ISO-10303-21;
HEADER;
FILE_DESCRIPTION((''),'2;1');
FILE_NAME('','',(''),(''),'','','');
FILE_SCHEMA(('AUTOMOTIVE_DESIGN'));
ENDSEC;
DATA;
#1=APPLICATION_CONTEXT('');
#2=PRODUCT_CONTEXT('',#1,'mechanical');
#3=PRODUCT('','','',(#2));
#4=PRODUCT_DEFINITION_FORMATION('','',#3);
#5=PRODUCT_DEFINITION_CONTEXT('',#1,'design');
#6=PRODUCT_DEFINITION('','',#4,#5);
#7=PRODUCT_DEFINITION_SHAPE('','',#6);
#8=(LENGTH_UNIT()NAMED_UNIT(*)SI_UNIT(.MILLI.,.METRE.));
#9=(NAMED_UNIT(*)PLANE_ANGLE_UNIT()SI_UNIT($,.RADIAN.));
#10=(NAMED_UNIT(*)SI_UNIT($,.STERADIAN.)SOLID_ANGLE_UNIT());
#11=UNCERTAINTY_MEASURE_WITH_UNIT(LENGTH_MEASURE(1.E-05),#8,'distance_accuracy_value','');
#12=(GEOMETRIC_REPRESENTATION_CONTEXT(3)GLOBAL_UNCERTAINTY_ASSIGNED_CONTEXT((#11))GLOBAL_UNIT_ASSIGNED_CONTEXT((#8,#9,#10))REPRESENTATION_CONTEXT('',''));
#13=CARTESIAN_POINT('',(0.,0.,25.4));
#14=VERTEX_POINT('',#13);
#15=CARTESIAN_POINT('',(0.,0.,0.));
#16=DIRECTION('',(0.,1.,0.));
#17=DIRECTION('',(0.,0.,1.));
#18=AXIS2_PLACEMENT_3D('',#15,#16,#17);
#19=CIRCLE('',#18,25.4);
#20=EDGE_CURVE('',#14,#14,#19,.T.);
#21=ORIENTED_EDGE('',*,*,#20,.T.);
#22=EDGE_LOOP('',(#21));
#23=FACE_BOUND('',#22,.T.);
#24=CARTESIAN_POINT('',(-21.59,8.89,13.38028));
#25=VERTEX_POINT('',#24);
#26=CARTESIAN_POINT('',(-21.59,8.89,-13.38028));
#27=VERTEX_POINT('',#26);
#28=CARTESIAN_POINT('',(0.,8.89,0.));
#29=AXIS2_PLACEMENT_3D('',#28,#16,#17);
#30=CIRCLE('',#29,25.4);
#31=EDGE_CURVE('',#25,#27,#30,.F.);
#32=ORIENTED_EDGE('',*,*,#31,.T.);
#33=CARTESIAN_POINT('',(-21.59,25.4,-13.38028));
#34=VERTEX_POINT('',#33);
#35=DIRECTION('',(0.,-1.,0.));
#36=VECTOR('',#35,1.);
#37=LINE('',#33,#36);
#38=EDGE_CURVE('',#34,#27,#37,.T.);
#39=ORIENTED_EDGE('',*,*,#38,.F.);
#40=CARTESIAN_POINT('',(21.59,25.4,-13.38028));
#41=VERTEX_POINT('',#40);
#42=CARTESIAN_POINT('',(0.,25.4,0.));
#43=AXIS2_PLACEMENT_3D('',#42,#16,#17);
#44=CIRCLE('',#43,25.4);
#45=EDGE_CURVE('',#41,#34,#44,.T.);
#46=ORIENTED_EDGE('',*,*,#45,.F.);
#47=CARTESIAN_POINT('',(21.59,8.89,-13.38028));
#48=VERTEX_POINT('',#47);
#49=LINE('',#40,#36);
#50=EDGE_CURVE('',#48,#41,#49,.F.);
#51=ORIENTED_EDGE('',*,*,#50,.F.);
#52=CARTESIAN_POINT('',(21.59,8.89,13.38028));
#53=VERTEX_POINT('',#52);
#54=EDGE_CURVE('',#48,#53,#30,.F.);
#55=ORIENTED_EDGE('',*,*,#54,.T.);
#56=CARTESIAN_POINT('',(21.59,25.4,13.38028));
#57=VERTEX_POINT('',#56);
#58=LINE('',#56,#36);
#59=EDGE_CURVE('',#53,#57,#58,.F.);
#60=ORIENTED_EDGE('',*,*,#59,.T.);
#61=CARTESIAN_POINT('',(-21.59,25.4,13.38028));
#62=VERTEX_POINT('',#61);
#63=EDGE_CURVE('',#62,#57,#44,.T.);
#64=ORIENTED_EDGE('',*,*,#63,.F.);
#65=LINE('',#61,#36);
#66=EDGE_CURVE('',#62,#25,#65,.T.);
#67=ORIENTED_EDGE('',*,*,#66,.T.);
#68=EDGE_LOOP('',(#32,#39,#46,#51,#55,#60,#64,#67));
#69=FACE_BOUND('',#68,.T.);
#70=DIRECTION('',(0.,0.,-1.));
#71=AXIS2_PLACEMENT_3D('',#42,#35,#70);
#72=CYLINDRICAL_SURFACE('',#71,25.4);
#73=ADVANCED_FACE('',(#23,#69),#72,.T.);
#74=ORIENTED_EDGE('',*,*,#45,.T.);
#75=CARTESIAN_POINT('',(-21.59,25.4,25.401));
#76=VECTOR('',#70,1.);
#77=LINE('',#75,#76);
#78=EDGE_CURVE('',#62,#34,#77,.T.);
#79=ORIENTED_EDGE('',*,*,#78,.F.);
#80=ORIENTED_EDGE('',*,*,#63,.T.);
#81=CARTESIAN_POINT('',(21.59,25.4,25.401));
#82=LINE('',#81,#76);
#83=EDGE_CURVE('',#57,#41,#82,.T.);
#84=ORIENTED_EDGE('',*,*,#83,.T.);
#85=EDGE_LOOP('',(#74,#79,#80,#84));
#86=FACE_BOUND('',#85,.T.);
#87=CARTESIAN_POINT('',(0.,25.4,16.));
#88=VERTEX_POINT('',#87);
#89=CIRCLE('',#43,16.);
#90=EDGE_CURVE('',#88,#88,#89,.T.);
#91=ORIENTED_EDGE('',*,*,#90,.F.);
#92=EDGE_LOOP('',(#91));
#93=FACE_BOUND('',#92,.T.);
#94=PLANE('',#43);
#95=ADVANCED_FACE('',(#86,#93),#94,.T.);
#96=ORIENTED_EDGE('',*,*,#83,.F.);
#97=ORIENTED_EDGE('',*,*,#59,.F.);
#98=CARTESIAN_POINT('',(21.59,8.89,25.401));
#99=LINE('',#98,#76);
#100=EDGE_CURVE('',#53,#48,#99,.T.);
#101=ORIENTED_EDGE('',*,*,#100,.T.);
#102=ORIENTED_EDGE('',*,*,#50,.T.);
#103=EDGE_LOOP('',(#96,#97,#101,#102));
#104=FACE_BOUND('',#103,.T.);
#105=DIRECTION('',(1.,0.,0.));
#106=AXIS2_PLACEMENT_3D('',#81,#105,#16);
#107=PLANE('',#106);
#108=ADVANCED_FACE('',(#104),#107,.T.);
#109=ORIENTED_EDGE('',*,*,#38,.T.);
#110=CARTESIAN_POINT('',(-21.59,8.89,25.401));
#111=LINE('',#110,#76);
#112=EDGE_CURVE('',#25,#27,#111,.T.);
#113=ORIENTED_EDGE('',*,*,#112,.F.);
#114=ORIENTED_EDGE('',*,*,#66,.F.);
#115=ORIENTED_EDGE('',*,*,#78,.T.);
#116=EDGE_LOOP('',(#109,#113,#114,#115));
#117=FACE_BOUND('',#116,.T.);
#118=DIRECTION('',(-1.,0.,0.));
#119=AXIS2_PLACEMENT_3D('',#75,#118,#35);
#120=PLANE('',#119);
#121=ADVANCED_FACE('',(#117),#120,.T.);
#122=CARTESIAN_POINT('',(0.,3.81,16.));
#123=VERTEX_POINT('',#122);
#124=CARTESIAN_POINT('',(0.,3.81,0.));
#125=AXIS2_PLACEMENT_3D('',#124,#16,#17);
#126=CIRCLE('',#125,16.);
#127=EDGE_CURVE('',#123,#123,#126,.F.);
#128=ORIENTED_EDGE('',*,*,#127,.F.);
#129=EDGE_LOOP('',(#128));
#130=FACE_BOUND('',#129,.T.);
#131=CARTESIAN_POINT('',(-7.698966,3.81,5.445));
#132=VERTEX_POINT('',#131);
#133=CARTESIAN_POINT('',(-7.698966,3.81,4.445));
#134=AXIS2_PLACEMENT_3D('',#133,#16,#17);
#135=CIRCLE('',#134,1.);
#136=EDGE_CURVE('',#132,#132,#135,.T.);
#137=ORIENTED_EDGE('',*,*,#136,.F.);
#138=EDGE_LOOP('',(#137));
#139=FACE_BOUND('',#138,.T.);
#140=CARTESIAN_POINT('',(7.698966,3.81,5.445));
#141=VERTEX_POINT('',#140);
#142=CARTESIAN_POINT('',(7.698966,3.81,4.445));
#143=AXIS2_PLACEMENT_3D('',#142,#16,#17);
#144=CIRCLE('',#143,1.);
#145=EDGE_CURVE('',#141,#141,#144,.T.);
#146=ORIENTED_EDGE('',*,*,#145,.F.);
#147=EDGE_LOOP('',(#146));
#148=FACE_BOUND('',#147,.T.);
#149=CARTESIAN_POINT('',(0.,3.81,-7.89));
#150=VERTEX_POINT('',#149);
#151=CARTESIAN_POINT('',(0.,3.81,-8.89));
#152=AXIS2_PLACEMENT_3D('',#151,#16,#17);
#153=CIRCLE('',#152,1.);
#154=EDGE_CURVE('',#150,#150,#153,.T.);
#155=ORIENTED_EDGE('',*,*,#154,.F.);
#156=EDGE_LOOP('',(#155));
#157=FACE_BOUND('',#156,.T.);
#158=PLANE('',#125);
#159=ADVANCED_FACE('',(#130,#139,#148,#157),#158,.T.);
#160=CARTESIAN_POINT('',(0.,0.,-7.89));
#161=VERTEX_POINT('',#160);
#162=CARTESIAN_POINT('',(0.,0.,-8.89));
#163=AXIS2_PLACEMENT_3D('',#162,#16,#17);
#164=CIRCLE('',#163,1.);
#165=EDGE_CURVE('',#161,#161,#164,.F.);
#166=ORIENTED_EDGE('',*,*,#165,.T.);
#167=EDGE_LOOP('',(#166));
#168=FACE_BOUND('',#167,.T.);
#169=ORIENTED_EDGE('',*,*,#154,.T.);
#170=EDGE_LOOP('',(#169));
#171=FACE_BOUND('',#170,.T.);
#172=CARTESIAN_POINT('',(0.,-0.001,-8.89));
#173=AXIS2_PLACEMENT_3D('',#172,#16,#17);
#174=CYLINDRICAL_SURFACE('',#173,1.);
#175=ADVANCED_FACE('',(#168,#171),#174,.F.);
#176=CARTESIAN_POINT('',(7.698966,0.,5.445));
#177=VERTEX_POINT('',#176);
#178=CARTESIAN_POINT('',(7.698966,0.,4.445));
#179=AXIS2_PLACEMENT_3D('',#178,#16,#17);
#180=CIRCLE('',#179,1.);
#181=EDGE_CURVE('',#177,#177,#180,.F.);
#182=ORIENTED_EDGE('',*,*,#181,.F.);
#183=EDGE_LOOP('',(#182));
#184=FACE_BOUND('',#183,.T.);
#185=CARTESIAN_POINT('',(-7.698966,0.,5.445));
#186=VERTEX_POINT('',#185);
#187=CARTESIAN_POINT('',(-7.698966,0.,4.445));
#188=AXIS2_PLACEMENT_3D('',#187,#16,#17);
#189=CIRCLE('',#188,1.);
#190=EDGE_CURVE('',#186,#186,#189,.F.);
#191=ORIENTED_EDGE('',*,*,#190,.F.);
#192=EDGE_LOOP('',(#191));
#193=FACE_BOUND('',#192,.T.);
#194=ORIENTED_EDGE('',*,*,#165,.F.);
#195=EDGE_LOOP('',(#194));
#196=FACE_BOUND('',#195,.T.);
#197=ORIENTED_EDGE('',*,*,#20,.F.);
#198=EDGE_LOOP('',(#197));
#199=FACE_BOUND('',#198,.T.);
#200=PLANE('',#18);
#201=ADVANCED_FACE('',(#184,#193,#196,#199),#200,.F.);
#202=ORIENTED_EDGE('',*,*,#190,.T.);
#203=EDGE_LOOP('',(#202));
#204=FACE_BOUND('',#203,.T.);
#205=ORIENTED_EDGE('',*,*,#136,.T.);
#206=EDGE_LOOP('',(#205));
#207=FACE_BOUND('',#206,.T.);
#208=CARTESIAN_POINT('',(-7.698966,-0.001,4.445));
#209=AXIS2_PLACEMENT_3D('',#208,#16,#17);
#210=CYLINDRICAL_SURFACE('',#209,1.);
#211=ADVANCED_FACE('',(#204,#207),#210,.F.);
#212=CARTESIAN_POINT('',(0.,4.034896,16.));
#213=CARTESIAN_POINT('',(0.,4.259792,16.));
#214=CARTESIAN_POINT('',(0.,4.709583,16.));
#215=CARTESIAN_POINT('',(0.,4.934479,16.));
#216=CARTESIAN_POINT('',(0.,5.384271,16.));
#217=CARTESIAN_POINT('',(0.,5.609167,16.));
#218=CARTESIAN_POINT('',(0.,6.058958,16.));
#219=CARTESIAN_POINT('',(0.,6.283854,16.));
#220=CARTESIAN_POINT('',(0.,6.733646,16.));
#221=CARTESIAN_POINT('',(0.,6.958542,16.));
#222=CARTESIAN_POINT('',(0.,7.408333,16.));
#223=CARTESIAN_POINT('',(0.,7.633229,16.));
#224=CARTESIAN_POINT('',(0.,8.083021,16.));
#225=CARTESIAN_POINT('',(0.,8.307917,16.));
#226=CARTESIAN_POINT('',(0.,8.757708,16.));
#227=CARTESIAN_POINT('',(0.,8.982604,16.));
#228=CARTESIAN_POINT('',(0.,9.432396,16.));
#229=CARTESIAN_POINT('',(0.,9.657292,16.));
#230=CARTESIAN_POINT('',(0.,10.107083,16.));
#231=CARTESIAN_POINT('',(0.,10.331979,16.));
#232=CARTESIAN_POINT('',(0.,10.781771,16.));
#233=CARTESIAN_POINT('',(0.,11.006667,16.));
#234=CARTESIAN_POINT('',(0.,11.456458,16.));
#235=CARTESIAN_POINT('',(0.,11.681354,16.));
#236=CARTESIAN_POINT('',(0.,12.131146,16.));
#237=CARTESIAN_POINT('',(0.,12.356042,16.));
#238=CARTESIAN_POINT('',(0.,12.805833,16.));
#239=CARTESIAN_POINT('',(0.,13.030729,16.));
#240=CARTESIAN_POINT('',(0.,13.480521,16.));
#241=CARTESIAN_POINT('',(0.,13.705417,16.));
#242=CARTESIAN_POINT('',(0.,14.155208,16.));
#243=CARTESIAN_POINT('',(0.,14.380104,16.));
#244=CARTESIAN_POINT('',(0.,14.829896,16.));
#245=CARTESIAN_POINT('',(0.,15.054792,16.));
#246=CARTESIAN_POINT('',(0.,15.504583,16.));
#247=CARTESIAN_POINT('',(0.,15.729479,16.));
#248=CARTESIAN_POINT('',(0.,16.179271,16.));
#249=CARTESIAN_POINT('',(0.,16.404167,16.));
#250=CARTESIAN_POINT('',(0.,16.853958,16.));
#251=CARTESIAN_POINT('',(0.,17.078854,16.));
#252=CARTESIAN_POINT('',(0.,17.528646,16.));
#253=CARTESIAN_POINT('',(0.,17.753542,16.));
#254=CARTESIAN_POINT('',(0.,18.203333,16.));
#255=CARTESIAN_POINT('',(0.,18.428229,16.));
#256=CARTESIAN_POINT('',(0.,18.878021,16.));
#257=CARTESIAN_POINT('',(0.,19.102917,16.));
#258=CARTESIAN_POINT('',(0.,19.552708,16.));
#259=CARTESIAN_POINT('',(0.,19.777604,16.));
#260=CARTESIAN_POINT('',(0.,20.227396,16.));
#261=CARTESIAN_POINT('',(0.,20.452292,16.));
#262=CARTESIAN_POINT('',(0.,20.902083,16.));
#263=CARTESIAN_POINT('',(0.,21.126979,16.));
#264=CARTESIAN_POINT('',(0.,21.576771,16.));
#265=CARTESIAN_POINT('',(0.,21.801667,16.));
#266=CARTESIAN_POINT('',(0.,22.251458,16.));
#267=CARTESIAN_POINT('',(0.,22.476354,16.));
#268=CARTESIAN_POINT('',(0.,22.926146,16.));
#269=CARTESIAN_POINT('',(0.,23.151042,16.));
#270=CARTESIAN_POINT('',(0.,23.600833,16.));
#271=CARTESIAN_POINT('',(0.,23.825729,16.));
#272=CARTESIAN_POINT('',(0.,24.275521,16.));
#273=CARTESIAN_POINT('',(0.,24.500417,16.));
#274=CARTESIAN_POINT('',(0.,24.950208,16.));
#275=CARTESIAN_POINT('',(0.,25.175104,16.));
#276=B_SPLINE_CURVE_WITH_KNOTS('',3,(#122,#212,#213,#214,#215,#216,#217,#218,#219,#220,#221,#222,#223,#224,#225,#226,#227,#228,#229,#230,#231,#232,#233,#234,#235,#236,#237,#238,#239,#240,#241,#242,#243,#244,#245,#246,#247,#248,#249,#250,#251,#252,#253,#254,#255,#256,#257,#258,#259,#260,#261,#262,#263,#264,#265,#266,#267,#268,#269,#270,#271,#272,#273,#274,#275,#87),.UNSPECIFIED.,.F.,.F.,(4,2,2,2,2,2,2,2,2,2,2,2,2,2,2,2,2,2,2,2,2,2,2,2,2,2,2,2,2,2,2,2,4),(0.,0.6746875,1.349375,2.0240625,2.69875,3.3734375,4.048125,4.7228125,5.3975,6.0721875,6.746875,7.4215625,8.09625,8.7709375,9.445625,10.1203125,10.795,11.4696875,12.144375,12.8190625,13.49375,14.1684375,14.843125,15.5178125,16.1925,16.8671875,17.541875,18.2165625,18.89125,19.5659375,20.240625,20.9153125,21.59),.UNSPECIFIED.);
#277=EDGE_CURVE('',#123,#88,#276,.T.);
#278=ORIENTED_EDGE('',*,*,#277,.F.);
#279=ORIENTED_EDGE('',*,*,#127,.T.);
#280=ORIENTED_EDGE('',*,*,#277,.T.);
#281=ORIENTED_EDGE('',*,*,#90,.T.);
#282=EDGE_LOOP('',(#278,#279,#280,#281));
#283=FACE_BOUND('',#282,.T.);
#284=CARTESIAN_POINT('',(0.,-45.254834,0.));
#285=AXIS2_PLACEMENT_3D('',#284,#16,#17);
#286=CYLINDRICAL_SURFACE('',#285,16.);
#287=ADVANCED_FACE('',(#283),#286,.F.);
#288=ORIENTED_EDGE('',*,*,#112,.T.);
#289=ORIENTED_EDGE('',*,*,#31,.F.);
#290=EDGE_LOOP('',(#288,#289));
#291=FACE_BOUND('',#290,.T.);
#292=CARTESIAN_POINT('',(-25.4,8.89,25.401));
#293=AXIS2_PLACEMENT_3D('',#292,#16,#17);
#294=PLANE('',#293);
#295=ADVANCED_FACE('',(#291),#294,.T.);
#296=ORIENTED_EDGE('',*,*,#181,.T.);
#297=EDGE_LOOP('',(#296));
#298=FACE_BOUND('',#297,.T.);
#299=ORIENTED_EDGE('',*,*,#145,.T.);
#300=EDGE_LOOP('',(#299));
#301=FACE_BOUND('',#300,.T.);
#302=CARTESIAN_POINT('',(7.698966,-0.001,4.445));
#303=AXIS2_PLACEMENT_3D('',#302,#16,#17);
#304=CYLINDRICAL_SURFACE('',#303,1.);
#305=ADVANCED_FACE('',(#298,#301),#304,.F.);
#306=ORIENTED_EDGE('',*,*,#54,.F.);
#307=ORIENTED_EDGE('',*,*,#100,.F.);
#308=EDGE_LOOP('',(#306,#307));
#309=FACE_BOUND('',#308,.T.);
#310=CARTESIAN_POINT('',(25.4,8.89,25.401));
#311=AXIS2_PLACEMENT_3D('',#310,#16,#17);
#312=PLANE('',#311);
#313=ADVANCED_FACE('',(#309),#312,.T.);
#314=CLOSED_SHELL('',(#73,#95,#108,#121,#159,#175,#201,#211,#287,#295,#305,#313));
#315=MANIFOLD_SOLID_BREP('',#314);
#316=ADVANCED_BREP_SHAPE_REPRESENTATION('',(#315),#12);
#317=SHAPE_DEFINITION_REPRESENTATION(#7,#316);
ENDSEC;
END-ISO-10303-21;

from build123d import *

# Parameters (mm, degrees)
SKETCH1_R                           = 25.4
BOSS_EXTRUDE1_DEPTH                 = 25.4
SKETCH2_R                           = 16
CUT_EXTRUDE1_DEPTH                  = 21.59
CUT_EXTRUDE2_REACH                  = 45.994
CUT_EXTRUDE2_END_RADIUS             = 25.4
SKETCH3_W                           = 3.81
SKETCH3_H                           = 16.51
CUT_EXTRUDE2_DIRECTION_2_REACH      = 45.994
CUT_EXTRUDE2_DIRECTION_2_END_RADIUS = 25.4
CUT_EXTRUDE3_REACH                  = 43.91
SKETCH4_R                           = 1


with BuildPart() as part:
    # Sketch1 → Boss-Extrude1 (new body)
    with BuildSketch(Plane(origin=(0, 0, 0), x_dir=(1, 0, 0), z_dir=(0, 1, 0))):
        with Locations(Location((0, 0, 0), (0, 0, 270))):
            Circle(SKETCH1_R)
    extrude(amount=BOSS_EXTRUDE1_DEPTH)

    # Sketch2 → Cut-Extrude1 (cut)
    with BuildSketch(Plane(origin=(0, 25.4, 0), x_dir=(1, 0, 0), z_dir=(0, 1, 0))):
        with Locations(Location((0, 0, 0), (0, 0, 270))):
            Circle(SKETCH2_R)
    extrude(amount=-CUT_EXTRUDE1_DEPTH, mode=Mode.SUBTRACT)

    # Cut-Extrude2: up to this cylinder (the profile starts inside it)
    cut_extrude2_end = Plane(origin=(0, 17.145, 0), z_dir=(0, -1, 0)) * Cylinder(CUT_EXTRUDE2_END_RADIUS, 143.788, mode=Mode.PRIVATE)
    # Sketch3 → Cut-Extrude2 (cut, up to the surface)
    with BuildSketch(Plane.XY, mode=Mode.PRIVATE) as cut_extrude2_sk1:
        with Locations((23.495, 17.145)):
            Rectangle(SKETCH3_W, SKETCH3_H)
    cut_extrude2_tool1 = extrude(cut_extrude2_sk1.sketch, amount=-CUT_EXTRUDE2_REACH, mode=Mode.PRIVATE) & cut_extrude2_end
    add(cut_extrude2_tool1.solids().sort_by_distance((23.495, 17.145, 0))[0], mode=Mode.SUBTRACT)
    # Sketch3 → Cut-Extrude2 (cut, up to the surface)
    with BuildSketch(Plane.XY, mode=Mode.PRIVATE) as cut_extrude2_sk2:
        with Locations((-23.495, 17.145)):
            Rectangle(SKETCH3_W, SKETCH3_H)
    cut_extrude2_tool2 = extrude(cut_extrude2_sk2.sketch, amount=-CUT_EXTRUDE2_REACH, mode=Mode.PRIVATE) & cut_extrude2_end
    add(cut_extrude2_tool2.solids().sort_by_distance((-23.495, 17.145, 0))[0], mode=Mode.SUBTRACT)

    # Cut-Extrude2 direction 2: up to this cylinder (the profile starts inside it)
    cut_extrude2_direction_2_end = Plane(origin=(0, 17.145, 0), z_dir=(0, -1, 0)) * Cylinder(CUT_EXTRUDE2_DIRECTION_2_END_RADIUS, 143.788, mode=Mode.PRIVATE)
    # Sketch3 → Cut-Extrude2 direction 2 (cut, up to the surface)
    with BuildSketch(Plane.XY, mode=Mode.PRIVATE) as cut_extrude2_direction_2_sk1:
        with Locations((23.495, 17.145)):
            Rectangle(SKETCH3_W, SKETCH3_H)
    cut_extrude2_direction_2_tool1 = extrude(cut_extrude2_direction_2_sk1.sketch, amount=CUT_EXTRUDE2_DIRECTION_2_REACH, mode=Mode.PRIVATE) & cut_extrude2_direction_2_end
    add(cut_extrude2_direction_2_tool1.solids().sort_by_distance((23.495, 17.145, 0))[0], mode=Mode.SUBTRACT)
    # Sketch3 → Cut-Extrude2 direction 2 (cut, up to the surface)
    with BuildSketch(Plane.XY, mode=Mode.PRIVATE) as cut_extrude2_direction_2_sk2:
        with Locations((-23.495, 17.145)):
            Rectangle(SKETCH3_W, SKETCH3_H)
    cut_extrude2_direction_2_tool2 = extrude(cut_extrude2_direction_2_sk2.sketch, amount=CUT_EXTRUDE2_DIRECTION_2_REACH, mode=Mode.PRIVATE) & cut_extrude2_direction_2_end
    add(cut_extrude2_direction_2_tool2.solids().sort_by_distance((-23.495, 17.145, 0))[0], mode=Mode.SUBTRACT)

    # Sketch4 → Cut-Extrude3 (cut, up to next)
    with BuildSketch(Plane(origin=(0, 3.81, 0), x_dir=(1, 0, 0), z_dir=(0, 1, 0)), mode=Mode.PRIVATE) as cut_extrude3_sk1:
        with Locations(Location((0, 8.89, 0), (0, 0, 270))):
            Circle(SKETCH4_R)
    cut_extrude3_tool1 = extrude(cut_extrude3_sk1.sketch, amount=-CUT_EXTRUDE3_REACH, mode=Mode.PRIVATE) & part.part
    # Sketch4 → Cut-Extrude3 (cut, up to next)
    with BuildSketch(Plane(origin=(0, 3.81, 0), x_dir=(1, 0, 0), z_dir=(0, 1, 0)), mode=Mode.PRIVATE) as cut_extrude3_sk2:
        with Locations(Location((7.69896584, -4.445, 0), (0, 0, 270))):
            Circle(SKETCH4_R)
    cut_extrude3_tool2 = extrude(cut_extrude3_sk2.sketch, amount=-CUT_EXTRUDE3_REACH, mode=Mode.PRIVATE) & part.part
    # Sketch4 → Cut-Extrude3 (cut, up to next)
    with BuildSketch(Plane(origin=(0, 3.81, 0), x_dir=(1, 0, 0), z_dir=(0, 1, 0)), mode=Mode.PRIVATE) as cut_extrude3_sk3:
        with Locations(Location((-7.69896584, -4.445, 0), (0, 0, 270))):
            Circle(SKETCH4_R)
    cut_extrude3_tool3 = extrude(cut_extrude3_sk3.sketch, amount=-CUT_EXTRUDE3_REACH, mode=Mode.PRIVATE) & part.part
    add(cut_extrude3_tool1.solids().sort_by_distance((0, 3.81, -8.89))[0], mode=Mode.SUBTRACT)
    add(cut_extrude3_tool2.solids().sort_by_distance((7.698966, 3.81, 4.445))[0], mode=Mode.SUBTRACT)
    add(cut_extrude3_tool3.solids().sort_by_distance((-7.698966, 3.81, 4.445))[0], mode=Mode.SUBTRACT)


solid = part.part
